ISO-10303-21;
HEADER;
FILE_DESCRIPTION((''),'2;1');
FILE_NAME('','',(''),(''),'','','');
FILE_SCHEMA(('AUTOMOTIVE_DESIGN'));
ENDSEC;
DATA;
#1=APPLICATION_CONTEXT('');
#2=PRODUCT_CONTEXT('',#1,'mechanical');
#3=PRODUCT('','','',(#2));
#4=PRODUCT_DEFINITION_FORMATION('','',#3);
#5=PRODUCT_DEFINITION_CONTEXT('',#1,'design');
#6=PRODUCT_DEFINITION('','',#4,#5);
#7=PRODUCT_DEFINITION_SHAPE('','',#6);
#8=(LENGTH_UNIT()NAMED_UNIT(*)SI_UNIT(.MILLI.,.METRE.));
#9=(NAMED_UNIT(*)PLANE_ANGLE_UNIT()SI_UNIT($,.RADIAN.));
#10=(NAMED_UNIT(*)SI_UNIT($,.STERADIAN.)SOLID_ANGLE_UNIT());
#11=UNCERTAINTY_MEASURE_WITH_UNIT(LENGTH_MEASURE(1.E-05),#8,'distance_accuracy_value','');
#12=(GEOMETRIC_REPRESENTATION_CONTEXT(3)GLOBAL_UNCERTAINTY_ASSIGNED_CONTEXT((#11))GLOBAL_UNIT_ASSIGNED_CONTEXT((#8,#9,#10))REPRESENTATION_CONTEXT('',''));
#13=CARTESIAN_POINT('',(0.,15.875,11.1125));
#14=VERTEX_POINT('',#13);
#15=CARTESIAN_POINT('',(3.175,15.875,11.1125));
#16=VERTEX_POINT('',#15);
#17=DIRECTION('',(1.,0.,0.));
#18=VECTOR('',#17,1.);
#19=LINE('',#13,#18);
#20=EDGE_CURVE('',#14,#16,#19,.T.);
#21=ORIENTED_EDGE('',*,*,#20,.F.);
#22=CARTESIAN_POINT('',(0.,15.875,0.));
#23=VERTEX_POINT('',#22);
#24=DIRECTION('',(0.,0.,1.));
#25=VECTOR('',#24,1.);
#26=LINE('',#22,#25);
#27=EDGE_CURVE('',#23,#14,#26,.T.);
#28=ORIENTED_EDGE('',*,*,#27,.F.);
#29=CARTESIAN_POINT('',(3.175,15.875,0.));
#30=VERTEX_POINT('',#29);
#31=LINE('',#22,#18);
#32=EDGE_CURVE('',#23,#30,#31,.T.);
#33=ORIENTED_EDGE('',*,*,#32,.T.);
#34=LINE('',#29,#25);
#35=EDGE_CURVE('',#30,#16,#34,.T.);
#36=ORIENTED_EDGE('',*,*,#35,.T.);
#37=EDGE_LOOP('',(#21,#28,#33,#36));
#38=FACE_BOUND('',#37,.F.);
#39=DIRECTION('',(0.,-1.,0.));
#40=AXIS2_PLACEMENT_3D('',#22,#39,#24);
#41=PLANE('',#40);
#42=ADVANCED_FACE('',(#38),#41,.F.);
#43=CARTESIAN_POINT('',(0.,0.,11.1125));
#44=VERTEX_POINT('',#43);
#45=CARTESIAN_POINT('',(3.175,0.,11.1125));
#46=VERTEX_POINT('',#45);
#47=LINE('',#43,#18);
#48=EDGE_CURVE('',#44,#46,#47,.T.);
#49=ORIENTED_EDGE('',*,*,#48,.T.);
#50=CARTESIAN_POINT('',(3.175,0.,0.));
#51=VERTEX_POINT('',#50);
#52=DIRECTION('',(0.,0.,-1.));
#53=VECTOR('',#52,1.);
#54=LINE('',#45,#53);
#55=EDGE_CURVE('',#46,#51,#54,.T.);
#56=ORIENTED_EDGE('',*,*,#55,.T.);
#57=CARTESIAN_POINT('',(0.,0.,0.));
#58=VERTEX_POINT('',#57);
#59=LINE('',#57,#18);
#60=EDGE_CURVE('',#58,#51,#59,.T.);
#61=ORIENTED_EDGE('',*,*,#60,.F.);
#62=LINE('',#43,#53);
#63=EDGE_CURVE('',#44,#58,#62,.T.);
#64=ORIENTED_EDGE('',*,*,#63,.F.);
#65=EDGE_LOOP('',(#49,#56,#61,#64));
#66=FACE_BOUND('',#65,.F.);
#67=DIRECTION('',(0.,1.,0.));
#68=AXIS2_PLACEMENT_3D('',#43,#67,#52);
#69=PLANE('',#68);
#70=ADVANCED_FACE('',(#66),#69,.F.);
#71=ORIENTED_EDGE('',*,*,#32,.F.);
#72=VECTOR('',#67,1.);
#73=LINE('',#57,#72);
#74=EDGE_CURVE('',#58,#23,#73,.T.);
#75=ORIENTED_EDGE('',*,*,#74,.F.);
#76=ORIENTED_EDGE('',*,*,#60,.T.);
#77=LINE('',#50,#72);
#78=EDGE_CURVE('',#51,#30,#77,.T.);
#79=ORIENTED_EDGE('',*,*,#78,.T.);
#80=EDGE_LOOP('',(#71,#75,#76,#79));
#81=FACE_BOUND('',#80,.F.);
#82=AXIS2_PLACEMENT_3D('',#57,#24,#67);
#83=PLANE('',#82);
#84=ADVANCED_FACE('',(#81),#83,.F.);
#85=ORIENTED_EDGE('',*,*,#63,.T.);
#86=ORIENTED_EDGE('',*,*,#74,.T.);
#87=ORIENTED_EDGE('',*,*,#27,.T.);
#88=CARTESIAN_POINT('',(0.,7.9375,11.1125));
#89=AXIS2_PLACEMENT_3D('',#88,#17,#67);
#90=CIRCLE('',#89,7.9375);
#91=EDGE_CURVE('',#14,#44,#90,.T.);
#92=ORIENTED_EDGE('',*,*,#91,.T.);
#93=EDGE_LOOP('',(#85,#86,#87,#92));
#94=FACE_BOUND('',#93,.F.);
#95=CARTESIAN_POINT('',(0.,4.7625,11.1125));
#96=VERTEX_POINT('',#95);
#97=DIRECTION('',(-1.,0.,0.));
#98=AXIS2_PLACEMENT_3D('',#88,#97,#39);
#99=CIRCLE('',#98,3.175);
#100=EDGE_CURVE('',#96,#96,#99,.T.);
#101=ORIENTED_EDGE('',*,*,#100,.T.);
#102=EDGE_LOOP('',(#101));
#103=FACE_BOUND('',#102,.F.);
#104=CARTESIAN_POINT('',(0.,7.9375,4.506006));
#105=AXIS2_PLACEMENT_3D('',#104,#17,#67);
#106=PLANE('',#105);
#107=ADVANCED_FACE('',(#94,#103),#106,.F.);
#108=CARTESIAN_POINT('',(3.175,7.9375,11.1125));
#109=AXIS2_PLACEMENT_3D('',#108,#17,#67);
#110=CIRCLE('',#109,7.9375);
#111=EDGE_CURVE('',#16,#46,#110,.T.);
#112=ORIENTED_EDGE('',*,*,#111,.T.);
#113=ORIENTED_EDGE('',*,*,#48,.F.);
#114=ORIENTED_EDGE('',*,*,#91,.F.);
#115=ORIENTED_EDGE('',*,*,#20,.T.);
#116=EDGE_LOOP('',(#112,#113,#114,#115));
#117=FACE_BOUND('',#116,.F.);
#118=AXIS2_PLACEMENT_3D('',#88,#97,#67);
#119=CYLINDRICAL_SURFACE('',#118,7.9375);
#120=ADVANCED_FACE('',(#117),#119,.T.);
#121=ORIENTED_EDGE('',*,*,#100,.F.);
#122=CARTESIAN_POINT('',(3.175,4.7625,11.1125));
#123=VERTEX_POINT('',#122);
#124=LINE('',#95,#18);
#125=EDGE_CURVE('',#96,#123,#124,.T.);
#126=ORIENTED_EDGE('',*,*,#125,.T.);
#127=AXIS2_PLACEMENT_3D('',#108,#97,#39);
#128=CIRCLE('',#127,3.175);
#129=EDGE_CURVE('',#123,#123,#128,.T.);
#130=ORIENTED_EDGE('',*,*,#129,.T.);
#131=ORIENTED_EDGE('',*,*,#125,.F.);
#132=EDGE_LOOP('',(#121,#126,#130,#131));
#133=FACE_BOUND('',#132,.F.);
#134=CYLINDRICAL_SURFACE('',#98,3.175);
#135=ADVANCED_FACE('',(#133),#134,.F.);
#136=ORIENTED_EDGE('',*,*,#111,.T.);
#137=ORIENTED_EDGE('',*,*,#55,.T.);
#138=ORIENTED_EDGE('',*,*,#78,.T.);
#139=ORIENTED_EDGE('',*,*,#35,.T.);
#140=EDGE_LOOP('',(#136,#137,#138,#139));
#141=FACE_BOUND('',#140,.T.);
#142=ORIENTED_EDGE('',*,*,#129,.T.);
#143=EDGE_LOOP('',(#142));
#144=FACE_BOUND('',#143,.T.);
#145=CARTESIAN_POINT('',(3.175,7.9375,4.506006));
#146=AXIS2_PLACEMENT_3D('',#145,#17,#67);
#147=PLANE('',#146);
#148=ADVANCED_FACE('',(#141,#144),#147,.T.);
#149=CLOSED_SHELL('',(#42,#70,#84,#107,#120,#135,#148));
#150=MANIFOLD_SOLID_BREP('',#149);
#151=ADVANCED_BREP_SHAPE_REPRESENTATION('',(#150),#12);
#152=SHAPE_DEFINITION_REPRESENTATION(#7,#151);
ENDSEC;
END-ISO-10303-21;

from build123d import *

# Parameters (mm, degrees)
F1_DEPTH = 3.175


with BuildPart() as f1:
    # F0 (on Right) → F1 (new body)
    with BuildSketch(Plane.YZ):
        with BuildLine():
            Line((0, 11.1125), (0, 0))
            Line((0, 0), (15.875, 0))
            Line((15.875, 0), (15.875, 11.1125))
            ThreePointArc((15.875, 11.1125), (7.9375, 3.175), (0, 11.1125))
        make_face()
        with BuildLine():
            ThreePointArc((15.875, 11.1125), (7.9375, 19.05), (0, 11.1125))
            Line((0, 11.1125), (4.7625, 11.1125))
            ThreePointArc((4.7625, 11.1125), (7.9375, 14.2875), (11.1125, 11.1125))
            Line((11.1125, 11.1125), (15.875, 11.1125))
        make_face()
        with BuildLine():
            Line((4.7625, 11.1125), (0, 11.1125))
            ThreePointArc((0, 11.1125), (7.9375, 3.175), (15.875, 11.1125))
            Line((15.875, 11.1125), (11.1125, 11.1125))
            ThreePointArc((11.1125, 11.1125), (7.9375, 7.9375), (4.7625, 11.1125))
        make_face()
    extrude(amount=F1_DEPTH)


solid = f1.part
